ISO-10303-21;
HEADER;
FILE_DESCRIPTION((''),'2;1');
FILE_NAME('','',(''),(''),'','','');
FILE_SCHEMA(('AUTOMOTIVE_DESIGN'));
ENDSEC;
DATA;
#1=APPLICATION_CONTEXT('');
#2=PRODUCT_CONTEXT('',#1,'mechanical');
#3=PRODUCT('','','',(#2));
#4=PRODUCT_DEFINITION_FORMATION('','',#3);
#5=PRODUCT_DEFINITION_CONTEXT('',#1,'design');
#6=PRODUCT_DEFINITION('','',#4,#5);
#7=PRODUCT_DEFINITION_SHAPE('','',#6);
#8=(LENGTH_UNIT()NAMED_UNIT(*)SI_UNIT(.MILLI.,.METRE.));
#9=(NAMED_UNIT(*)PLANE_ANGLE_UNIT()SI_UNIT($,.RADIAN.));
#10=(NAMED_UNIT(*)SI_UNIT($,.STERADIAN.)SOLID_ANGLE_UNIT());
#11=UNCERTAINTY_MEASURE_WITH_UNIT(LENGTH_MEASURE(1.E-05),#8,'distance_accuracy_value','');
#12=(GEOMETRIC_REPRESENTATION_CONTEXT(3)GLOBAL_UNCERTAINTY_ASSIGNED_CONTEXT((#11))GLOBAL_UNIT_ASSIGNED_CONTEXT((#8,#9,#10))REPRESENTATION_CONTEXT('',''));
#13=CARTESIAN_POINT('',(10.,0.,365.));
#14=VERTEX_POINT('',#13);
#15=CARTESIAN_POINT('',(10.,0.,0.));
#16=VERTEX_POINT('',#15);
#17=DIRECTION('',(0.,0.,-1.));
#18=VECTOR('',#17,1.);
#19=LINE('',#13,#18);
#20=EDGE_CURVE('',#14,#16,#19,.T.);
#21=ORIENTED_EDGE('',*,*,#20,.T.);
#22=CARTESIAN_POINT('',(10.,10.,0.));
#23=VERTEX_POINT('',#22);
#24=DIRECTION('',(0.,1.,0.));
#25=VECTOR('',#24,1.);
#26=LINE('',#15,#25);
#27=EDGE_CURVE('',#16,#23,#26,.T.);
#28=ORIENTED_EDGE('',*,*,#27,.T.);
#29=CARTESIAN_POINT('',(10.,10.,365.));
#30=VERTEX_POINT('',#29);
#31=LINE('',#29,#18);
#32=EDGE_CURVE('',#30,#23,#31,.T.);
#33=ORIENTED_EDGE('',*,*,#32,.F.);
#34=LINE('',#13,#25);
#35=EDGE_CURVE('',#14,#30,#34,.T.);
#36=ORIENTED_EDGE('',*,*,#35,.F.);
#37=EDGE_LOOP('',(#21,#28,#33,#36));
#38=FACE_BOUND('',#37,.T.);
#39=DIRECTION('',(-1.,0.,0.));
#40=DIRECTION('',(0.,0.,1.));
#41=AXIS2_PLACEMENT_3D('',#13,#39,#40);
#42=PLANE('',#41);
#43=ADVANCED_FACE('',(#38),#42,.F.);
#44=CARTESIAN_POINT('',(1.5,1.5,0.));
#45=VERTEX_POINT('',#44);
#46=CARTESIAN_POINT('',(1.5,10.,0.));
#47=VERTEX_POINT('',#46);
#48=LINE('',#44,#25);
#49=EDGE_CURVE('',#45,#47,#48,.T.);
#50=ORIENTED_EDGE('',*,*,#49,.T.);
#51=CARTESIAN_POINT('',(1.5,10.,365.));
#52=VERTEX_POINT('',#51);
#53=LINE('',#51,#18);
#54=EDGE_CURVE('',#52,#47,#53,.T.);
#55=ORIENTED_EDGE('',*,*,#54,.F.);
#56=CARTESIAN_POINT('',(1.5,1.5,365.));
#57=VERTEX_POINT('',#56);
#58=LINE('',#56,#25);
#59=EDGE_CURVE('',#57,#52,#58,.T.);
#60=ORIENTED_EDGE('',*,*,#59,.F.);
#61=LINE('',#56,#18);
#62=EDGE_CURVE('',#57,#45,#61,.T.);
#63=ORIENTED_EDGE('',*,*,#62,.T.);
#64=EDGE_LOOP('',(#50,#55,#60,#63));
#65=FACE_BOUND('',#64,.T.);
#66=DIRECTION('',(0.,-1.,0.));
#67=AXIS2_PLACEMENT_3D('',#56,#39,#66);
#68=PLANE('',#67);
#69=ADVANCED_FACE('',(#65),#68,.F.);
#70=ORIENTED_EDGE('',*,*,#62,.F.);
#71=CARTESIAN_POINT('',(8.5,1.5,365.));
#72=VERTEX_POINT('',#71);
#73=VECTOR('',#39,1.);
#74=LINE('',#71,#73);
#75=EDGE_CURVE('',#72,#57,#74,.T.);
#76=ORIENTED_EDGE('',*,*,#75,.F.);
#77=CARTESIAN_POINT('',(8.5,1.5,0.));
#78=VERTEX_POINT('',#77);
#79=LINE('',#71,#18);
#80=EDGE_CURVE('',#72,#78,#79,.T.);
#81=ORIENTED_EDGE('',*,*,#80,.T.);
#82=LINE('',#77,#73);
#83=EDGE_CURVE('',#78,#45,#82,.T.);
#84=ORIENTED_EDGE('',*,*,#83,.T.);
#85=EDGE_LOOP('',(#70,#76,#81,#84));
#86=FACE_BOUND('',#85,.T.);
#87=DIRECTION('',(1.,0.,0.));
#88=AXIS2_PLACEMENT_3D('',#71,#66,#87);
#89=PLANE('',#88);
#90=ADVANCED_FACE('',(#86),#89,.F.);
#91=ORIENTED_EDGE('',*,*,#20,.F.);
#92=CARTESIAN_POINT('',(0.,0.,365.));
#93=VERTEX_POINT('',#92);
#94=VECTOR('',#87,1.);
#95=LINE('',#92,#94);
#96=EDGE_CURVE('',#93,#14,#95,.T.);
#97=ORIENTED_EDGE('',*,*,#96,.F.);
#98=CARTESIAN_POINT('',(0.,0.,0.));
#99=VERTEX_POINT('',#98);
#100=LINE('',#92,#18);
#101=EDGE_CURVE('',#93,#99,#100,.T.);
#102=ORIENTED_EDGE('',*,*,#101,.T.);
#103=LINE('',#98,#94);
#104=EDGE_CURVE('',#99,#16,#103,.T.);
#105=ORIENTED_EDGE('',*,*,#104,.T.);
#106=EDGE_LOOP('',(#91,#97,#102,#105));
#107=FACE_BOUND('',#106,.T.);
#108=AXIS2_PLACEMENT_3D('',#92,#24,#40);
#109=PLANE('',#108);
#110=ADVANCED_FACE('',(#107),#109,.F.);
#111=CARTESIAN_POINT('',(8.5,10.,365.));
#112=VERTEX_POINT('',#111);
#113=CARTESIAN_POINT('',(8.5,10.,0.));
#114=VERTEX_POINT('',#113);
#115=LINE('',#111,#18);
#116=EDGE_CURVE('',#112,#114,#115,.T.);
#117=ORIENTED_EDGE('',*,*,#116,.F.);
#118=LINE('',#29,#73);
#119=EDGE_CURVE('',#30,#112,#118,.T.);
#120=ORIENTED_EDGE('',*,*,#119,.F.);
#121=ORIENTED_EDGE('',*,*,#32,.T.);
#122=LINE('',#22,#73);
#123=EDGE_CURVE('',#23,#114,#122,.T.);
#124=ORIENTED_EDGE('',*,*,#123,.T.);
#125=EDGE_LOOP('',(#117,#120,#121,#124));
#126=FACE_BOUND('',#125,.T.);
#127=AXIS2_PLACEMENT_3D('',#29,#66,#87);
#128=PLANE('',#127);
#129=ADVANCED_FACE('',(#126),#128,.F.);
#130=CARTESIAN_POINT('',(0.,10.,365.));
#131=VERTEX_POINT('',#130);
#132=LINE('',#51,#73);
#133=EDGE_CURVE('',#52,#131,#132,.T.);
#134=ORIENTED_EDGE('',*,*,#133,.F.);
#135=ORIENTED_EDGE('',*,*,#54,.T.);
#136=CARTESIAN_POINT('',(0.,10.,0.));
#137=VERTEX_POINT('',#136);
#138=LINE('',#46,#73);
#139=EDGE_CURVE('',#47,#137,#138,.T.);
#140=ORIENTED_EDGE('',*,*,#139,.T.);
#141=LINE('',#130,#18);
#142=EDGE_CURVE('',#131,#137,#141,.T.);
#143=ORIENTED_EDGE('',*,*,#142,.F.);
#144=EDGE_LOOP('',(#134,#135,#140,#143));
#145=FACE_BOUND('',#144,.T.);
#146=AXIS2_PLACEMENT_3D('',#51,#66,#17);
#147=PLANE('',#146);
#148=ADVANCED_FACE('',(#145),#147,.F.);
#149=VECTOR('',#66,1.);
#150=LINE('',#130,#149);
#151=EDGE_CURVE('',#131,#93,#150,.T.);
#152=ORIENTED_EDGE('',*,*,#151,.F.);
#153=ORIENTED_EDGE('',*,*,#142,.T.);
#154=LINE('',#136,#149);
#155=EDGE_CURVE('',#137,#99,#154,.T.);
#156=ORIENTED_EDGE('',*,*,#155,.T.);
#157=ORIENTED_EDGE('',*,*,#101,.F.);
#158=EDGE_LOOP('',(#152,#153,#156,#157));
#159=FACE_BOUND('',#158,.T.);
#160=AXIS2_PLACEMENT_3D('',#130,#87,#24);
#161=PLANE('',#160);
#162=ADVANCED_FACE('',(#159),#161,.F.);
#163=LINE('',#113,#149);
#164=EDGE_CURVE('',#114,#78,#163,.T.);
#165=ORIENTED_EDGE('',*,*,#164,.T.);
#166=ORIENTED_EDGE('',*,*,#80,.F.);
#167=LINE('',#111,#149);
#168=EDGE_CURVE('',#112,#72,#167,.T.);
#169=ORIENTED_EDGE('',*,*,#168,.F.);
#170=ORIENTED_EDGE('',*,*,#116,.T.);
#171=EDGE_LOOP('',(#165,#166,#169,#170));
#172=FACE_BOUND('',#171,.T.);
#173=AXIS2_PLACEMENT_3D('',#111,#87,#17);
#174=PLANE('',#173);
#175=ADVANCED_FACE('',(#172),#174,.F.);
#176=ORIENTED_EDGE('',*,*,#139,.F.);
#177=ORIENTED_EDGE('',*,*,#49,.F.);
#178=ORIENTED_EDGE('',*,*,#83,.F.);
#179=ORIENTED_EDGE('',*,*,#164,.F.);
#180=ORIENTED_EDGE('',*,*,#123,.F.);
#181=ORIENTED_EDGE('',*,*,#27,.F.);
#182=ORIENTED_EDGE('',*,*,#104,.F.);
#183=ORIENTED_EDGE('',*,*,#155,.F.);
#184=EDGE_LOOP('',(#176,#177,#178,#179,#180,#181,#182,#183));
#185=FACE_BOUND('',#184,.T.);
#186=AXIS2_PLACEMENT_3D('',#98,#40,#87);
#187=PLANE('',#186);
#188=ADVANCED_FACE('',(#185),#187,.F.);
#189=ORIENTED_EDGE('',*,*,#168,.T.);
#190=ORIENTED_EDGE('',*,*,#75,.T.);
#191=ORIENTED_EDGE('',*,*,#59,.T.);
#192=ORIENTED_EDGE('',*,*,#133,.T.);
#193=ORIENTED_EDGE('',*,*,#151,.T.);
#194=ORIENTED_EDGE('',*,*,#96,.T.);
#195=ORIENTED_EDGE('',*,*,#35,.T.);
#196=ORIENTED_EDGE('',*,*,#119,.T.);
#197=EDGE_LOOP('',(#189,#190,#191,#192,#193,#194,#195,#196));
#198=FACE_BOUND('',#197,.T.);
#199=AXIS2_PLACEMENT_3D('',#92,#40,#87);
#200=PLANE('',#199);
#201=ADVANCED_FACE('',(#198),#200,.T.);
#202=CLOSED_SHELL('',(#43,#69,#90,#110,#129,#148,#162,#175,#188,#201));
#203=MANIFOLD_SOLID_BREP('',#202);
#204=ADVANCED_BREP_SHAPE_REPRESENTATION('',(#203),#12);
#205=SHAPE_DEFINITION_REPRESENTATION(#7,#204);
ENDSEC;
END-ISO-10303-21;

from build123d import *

# Parameters (mm, degrees)
EXTRUDE_1_DEPTH = 365


with BuildPart() as part:
    # Эскиз1 → Бобышка-Вытянуть1 (new body)
    with BuildSketch(Plane.XY):
        Polygon((0, 0), (10, 0), (10, 10), (8.5, 10), (8.5, 1.5), (1.5, 1.5), (1.5, 10), (0, 10), align=None)
    extrude(amount=EXTRUDE_1_DEPTH)


solid = part.part
